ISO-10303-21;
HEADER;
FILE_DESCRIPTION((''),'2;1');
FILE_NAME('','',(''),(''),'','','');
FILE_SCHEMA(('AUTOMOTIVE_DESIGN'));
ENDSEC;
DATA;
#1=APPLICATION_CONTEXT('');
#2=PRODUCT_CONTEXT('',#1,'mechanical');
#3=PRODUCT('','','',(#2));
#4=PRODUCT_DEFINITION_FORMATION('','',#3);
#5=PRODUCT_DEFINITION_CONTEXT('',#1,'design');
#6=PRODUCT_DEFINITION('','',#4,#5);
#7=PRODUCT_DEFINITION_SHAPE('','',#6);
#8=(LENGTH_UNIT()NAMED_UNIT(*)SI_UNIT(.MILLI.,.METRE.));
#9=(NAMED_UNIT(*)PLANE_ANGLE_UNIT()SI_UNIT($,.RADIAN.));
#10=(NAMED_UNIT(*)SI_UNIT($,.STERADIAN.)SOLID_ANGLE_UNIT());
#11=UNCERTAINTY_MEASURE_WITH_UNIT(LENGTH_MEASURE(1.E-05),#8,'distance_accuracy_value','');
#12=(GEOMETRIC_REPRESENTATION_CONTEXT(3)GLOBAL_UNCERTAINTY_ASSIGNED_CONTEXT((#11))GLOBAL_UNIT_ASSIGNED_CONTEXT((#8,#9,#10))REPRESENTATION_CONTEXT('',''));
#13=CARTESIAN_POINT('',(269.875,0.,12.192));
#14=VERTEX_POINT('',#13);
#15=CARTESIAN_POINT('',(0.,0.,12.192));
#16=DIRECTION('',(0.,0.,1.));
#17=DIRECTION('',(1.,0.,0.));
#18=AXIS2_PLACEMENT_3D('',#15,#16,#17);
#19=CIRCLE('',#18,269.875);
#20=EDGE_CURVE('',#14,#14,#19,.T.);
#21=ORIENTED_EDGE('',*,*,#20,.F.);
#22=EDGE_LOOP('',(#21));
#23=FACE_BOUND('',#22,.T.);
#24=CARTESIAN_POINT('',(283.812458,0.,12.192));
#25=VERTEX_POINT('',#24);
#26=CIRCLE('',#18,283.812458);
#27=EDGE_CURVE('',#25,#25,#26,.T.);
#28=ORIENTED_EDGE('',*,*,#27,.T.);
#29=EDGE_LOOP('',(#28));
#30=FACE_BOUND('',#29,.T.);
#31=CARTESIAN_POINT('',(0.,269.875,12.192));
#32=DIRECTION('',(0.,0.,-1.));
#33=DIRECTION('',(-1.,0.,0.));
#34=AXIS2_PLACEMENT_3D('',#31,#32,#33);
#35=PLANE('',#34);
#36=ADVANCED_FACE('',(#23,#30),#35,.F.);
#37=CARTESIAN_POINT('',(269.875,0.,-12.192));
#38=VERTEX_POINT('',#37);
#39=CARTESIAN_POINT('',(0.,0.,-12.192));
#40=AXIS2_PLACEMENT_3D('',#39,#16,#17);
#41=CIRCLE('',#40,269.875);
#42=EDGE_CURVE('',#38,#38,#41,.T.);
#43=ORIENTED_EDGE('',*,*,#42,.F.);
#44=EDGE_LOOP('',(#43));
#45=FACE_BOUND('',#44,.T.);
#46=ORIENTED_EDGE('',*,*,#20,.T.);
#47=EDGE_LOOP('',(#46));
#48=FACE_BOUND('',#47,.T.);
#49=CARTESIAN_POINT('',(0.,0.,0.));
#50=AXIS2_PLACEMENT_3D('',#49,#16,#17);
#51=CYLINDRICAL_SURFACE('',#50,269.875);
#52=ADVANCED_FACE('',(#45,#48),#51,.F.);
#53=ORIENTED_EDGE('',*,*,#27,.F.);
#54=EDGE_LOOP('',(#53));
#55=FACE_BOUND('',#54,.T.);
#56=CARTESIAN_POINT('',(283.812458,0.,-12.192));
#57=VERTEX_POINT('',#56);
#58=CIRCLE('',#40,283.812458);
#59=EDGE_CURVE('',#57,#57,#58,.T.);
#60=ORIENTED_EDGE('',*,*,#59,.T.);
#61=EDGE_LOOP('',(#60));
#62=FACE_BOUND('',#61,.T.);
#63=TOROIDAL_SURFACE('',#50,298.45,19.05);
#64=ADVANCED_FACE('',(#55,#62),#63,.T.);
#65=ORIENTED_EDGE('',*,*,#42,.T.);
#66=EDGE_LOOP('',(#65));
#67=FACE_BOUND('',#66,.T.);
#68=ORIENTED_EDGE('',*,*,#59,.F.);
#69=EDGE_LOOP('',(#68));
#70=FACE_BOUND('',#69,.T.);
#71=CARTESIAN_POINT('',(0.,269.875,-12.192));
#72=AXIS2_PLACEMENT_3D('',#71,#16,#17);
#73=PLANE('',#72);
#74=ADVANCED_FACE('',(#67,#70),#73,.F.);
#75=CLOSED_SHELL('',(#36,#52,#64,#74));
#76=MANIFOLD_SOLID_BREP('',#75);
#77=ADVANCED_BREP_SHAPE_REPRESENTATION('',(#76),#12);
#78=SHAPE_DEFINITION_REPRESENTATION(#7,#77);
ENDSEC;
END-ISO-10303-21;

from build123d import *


with BuildPart() as part:
    # Croquis3 → Revolución1 (revolve)
    with BuildSketch(Plane(origin=(0, 0, 0), x_dir=(0, 0, -1), z_dir=(1, 0, 0))):
        with BuildLine():
            Line((12.192, 269.875), (-12.192, 269.875))
            Line((-12.192, 269.875), (-12.192, 283.812457993))
            ThreePointArc((-12.192, 283.812457993), (0, 317.5), (12.192, 283.812457993))
            Line((12.192, 283.812457993), (12.192, 269.875))
        make_face()
    revolve(axis=Axis((0, 0, 0), (0, 0, -1)))


solid = part.part
